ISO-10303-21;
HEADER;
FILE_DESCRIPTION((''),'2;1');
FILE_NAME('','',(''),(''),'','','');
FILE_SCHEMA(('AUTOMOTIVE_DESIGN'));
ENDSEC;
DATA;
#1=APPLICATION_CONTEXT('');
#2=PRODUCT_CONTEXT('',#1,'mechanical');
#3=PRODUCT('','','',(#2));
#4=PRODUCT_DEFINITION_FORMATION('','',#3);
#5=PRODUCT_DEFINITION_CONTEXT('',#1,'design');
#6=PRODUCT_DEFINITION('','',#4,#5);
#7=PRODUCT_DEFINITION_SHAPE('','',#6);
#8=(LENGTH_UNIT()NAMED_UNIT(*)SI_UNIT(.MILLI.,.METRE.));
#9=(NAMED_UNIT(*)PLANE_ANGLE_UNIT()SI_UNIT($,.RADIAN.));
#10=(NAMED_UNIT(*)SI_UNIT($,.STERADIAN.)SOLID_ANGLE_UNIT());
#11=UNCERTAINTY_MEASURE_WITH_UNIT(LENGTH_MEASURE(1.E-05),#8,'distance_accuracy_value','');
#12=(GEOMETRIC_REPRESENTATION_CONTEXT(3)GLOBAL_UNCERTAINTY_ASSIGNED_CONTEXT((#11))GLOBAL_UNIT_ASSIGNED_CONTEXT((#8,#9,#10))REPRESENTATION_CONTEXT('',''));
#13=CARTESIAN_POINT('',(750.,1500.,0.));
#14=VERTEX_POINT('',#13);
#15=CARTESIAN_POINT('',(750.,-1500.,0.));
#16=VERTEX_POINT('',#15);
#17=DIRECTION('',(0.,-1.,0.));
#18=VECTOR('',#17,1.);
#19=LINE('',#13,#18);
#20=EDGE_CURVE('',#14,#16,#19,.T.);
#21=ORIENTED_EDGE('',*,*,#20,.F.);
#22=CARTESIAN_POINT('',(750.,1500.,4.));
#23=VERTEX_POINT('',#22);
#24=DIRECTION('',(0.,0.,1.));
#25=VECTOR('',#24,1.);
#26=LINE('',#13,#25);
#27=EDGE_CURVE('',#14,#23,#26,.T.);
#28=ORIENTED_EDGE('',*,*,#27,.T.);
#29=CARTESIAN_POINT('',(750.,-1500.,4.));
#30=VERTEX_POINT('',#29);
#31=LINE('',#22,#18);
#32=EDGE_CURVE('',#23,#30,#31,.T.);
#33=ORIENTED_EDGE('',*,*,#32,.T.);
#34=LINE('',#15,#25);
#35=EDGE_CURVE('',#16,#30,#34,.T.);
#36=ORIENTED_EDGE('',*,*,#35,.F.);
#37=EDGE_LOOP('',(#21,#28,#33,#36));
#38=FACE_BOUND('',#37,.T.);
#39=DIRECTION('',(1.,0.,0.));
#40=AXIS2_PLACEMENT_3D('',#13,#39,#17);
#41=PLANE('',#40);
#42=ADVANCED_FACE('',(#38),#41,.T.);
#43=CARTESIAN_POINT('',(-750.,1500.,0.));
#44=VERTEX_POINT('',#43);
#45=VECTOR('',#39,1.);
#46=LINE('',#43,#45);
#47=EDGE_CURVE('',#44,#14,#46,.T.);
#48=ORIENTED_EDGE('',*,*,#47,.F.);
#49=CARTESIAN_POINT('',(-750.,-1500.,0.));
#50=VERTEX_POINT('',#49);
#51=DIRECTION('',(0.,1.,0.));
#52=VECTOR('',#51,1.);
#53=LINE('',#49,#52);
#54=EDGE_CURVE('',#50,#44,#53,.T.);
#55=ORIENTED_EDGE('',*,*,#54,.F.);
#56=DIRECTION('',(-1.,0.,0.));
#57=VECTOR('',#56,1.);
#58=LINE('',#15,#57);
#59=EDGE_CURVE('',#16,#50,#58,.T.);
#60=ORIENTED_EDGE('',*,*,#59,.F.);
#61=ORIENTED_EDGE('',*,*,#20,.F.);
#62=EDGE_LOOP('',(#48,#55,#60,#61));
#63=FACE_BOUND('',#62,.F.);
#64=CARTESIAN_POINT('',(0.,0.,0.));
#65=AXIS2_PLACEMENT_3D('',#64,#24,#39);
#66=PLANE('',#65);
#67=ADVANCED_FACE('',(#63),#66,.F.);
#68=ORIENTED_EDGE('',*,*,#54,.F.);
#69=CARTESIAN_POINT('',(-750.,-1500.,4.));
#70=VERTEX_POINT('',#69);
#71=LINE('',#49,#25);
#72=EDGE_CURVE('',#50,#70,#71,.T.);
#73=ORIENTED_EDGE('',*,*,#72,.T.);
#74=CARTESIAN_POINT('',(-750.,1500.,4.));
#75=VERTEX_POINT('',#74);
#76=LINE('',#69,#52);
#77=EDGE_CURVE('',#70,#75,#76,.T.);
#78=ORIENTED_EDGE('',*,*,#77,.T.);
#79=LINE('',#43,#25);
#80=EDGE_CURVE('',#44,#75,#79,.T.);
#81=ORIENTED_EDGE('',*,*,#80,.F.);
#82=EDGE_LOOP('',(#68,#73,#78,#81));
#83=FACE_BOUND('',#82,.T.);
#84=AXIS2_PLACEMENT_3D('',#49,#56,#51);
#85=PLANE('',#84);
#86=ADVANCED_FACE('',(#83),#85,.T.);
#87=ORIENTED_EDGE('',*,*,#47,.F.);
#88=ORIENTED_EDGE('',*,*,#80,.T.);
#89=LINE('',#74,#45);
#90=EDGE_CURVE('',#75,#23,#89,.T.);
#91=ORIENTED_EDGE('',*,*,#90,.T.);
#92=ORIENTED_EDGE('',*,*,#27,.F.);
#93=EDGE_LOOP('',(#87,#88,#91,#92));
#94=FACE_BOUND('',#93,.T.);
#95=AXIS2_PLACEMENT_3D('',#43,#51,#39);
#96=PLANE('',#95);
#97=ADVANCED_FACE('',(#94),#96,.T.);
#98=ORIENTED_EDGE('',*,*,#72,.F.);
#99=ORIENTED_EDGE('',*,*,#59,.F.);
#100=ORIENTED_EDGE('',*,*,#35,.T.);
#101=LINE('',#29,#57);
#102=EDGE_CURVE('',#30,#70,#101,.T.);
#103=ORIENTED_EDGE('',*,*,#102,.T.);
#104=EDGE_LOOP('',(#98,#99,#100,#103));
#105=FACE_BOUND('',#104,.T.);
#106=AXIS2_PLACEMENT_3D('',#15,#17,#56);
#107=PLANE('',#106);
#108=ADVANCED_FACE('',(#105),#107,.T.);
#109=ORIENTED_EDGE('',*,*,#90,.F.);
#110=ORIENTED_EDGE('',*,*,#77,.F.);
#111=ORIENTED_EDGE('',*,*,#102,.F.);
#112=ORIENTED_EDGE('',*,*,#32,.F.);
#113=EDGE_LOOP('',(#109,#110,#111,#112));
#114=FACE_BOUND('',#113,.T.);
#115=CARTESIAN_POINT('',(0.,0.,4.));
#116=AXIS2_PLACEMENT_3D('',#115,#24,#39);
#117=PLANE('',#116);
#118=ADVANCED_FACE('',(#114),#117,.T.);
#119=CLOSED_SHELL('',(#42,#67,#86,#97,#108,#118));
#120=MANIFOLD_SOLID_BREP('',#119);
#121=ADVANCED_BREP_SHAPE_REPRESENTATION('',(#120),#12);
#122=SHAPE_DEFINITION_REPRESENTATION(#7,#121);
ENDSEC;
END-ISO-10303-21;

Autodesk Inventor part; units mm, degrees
ref_plane "YZ Plane" through (0, 0, 0) normal (1, 0, 0) x (0, 1, 0)
ref_plane "XZ Plane" through (0, 0, 0) normal (0, 1, 0) x (-1, 0, 0)
ref_plane "XY Plane" through (0, 0, 0) normal (0, 0, 1) x (1, 0, 0)
sketch "Sketch1" plane through (0, 0, 0) normal (0, 0, 1) x (1, 0, 0)
  line L0 (750, -1500) -> (-750, -1500)
  line L1 (-750, -1500) -> (-750, 1500)
  line L2 (-750, 1500) -> (750, 1500)
  line L3 (750, 1500) -> (750, -1500)
  line L4 (750, -1500) -> (-750, 1500) construction
  line L5 (-750, -1500) -> (750, 1500) construction
  point P0 (0, 0)
  dimension "d0" = 1500
  dimension "d1" = 3000
extrude "Plate1" add sketch "Sketch1" along normal blind 4
equation "\"d2\" = Thickness"
equation "\"BendRadius\" = Thickness"
equation "\"BendReliefWidth\" = Thickness"
equation "\"BendReliefDepth\" = 0.5 * Thickness"
equation "\"CornerReliefSize\" = 4 * Thickness"
equation "\"MinimumRemnant\" = 2 * Thickness"
equation "\"TransitionRadius\" = BendRadius"
equation "\"JacobiRadiusSize\" = BendRadius"
equation "\"GapSize\" = Thickness"
equation "\"Thickness\" = 4"
properties material "Steel"
